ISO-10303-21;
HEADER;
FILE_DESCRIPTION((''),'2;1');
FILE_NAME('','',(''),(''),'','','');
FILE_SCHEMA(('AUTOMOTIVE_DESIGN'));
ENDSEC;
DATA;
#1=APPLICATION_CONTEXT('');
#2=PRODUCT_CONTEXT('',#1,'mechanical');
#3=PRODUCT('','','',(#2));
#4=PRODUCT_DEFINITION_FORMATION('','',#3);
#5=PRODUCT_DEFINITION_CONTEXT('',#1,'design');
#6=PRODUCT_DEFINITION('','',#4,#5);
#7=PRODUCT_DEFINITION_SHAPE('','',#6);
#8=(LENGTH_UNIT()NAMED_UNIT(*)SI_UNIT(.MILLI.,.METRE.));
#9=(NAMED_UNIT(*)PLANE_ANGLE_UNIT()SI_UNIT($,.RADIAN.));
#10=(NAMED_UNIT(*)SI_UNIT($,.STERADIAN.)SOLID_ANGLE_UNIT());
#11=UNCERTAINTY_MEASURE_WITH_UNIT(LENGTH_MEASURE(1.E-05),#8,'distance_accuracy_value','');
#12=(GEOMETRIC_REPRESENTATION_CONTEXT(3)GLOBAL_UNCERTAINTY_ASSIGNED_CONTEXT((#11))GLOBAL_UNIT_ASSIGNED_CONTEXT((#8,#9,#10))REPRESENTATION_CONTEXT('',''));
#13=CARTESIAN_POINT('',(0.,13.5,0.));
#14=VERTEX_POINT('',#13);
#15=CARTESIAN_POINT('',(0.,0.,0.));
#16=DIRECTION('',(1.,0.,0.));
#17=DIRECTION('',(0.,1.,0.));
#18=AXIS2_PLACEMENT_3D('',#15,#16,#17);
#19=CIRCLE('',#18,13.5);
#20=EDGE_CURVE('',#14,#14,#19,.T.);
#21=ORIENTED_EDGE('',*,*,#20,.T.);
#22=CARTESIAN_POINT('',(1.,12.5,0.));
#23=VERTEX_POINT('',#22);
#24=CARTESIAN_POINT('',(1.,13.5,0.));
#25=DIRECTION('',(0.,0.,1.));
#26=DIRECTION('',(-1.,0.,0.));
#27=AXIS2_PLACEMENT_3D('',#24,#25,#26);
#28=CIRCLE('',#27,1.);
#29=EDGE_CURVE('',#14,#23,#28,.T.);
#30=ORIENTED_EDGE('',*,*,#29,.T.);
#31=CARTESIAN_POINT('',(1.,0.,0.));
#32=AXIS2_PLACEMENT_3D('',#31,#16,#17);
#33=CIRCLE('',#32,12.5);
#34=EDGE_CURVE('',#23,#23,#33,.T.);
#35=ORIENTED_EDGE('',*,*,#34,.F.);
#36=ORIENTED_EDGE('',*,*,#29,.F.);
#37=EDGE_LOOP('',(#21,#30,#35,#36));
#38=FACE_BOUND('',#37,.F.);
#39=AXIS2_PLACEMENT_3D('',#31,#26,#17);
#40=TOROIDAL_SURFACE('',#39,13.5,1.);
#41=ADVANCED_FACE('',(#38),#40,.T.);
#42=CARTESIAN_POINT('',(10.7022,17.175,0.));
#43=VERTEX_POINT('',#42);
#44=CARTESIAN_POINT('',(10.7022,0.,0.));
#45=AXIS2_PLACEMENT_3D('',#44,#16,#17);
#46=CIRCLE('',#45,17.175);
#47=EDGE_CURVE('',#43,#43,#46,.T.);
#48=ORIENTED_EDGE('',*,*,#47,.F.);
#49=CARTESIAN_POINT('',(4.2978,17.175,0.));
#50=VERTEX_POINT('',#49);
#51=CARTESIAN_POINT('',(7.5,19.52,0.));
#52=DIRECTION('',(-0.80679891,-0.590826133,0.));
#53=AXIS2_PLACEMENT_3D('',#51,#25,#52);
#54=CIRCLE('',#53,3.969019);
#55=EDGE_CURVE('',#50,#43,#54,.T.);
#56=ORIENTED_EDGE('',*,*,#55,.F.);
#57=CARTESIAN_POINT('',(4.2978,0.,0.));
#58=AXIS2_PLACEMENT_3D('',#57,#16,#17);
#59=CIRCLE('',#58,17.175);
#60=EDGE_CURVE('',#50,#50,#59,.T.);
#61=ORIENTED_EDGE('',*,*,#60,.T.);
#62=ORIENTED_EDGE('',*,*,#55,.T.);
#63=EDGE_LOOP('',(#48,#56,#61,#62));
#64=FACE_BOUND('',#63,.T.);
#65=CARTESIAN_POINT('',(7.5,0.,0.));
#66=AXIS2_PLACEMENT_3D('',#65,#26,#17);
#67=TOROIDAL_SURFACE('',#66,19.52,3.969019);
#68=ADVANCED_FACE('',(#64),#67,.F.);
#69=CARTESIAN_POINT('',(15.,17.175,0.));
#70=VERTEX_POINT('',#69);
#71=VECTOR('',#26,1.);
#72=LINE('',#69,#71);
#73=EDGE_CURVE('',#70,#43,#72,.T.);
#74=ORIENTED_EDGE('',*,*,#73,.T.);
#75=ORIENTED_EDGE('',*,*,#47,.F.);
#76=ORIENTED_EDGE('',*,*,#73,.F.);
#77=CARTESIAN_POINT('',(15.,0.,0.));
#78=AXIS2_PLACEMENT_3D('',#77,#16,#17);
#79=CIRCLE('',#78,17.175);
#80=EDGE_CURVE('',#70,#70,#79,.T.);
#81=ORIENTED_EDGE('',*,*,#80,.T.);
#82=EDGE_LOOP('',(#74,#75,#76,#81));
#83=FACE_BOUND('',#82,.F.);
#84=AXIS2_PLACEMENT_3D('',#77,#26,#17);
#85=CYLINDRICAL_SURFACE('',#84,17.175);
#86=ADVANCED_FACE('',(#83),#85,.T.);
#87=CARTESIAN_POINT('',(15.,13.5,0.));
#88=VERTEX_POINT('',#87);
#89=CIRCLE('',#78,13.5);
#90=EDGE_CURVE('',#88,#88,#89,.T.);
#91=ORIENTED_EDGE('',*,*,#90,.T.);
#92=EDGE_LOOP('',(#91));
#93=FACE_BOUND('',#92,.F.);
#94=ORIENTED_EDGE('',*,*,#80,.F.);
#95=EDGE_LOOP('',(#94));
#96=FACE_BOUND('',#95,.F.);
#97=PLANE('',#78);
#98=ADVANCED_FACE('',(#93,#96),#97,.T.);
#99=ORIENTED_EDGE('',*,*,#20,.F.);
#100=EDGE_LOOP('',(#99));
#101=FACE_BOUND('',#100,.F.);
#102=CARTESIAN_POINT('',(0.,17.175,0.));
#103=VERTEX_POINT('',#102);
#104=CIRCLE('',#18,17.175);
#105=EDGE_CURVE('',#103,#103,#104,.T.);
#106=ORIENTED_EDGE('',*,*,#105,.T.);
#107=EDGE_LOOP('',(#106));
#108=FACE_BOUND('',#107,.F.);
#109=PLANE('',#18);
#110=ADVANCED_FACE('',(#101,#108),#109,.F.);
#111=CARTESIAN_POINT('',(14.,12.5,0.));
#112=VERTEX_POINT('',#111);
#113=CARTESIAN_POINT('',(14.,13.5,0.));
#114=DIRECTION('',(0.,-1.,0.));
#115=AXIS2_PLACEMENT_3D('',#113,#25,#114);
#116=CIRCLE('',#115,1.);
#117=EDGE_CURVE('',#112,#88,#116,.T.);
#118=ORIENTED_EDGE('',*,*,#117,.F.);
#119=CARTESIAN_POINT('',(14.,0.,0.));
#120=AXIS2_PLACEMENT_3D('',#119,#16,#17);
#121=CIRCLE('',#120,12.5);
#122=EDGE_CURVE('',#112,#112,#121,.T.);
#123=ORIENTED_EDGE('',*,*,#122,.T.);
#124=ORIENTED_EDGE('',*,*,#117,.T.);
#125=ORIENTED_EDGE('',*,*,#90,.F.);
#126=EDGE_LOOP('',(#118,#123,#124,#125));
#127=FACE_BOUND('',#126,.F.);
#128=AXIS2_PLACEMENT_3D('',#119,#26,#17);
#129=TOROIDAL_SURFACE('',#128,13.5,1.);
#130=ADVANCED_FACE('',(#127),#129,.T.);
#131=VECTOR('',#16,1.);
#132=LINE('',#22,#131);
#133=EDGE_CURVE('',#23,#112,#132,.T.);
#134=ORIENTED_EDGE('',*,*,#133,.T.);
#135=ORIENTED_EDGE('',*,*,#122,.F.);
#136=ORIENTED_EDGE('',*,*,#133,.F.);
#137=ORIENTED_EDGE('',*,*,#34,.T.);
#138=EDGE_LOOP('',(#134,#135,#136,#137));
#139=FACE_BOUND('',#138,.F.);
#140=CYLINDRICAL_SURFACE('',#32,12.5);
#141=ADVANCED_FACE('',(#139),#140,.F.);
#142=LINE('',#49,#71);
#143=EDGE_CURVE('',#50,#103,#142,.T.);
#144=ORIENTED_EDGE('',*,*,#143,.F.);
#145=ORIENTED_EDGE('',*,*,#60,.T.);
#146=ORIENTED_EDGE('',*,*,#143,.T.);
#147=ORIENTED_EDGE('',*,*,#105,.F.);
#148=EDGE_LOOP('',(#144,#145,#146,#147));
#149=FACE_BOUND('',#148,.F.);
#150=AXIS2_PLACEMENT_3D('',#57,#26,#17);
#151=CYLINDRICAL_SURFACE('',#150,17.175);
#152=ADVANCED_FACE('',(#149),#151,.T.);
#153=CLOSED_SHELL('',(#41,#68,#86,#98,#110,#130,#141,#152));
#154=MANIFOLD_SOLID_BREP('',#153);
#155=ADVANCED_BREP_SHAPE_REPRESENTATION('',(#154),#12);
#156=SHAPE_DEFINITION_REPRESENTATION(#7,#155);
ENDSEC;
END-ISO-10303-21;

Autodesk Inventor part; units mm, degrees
ref_plane "YZ Plane" through (0, 0, 0) normal (1, 0, 0) x (0, 1, 0)
ref_plane "XZ Plane" through (0, 0, 0) normal (0, 1, 0) x (-1, 0, 0)
ref_plane "XY Plane" through (0, 0, 0) normal (0, 0, 1) x (1, 0, 0)
sketch "Sketch_1" plane through (0, 0, 0) normal (0, 0, 1) x (1, 0, 0)
  line L0 (50, 0) -> (-50, 0)
  arc A0 (0, 13.5) -> (1, 12.5) centre (1, 13.5) ccw
  line L1 (1, 12.5) -> (14, 12.5)
  arc A1 (14, 12.5) -> (15, 13.5) centre (14, 13.5) ccw
  line L2 (15, 13.5) -> (15, 17.175)
  line L3 (15, 17.175) -> (10.7022, 17.175)
  arc A2 (4.2978, 17.175) -> (10.7022, 17.175) centre (7.5, 19.52) ccw
  line L4 (4.2978, 17.175) -> (0, 17.175)
  line L5 (0, 17.175) -> (0, 13.5)
revolve "Revolution1" add sketch "Sketch_1" angle 360 about axis through (50, 0, 0) along (1, 0, 0)
properties part number "6205_PART1"
